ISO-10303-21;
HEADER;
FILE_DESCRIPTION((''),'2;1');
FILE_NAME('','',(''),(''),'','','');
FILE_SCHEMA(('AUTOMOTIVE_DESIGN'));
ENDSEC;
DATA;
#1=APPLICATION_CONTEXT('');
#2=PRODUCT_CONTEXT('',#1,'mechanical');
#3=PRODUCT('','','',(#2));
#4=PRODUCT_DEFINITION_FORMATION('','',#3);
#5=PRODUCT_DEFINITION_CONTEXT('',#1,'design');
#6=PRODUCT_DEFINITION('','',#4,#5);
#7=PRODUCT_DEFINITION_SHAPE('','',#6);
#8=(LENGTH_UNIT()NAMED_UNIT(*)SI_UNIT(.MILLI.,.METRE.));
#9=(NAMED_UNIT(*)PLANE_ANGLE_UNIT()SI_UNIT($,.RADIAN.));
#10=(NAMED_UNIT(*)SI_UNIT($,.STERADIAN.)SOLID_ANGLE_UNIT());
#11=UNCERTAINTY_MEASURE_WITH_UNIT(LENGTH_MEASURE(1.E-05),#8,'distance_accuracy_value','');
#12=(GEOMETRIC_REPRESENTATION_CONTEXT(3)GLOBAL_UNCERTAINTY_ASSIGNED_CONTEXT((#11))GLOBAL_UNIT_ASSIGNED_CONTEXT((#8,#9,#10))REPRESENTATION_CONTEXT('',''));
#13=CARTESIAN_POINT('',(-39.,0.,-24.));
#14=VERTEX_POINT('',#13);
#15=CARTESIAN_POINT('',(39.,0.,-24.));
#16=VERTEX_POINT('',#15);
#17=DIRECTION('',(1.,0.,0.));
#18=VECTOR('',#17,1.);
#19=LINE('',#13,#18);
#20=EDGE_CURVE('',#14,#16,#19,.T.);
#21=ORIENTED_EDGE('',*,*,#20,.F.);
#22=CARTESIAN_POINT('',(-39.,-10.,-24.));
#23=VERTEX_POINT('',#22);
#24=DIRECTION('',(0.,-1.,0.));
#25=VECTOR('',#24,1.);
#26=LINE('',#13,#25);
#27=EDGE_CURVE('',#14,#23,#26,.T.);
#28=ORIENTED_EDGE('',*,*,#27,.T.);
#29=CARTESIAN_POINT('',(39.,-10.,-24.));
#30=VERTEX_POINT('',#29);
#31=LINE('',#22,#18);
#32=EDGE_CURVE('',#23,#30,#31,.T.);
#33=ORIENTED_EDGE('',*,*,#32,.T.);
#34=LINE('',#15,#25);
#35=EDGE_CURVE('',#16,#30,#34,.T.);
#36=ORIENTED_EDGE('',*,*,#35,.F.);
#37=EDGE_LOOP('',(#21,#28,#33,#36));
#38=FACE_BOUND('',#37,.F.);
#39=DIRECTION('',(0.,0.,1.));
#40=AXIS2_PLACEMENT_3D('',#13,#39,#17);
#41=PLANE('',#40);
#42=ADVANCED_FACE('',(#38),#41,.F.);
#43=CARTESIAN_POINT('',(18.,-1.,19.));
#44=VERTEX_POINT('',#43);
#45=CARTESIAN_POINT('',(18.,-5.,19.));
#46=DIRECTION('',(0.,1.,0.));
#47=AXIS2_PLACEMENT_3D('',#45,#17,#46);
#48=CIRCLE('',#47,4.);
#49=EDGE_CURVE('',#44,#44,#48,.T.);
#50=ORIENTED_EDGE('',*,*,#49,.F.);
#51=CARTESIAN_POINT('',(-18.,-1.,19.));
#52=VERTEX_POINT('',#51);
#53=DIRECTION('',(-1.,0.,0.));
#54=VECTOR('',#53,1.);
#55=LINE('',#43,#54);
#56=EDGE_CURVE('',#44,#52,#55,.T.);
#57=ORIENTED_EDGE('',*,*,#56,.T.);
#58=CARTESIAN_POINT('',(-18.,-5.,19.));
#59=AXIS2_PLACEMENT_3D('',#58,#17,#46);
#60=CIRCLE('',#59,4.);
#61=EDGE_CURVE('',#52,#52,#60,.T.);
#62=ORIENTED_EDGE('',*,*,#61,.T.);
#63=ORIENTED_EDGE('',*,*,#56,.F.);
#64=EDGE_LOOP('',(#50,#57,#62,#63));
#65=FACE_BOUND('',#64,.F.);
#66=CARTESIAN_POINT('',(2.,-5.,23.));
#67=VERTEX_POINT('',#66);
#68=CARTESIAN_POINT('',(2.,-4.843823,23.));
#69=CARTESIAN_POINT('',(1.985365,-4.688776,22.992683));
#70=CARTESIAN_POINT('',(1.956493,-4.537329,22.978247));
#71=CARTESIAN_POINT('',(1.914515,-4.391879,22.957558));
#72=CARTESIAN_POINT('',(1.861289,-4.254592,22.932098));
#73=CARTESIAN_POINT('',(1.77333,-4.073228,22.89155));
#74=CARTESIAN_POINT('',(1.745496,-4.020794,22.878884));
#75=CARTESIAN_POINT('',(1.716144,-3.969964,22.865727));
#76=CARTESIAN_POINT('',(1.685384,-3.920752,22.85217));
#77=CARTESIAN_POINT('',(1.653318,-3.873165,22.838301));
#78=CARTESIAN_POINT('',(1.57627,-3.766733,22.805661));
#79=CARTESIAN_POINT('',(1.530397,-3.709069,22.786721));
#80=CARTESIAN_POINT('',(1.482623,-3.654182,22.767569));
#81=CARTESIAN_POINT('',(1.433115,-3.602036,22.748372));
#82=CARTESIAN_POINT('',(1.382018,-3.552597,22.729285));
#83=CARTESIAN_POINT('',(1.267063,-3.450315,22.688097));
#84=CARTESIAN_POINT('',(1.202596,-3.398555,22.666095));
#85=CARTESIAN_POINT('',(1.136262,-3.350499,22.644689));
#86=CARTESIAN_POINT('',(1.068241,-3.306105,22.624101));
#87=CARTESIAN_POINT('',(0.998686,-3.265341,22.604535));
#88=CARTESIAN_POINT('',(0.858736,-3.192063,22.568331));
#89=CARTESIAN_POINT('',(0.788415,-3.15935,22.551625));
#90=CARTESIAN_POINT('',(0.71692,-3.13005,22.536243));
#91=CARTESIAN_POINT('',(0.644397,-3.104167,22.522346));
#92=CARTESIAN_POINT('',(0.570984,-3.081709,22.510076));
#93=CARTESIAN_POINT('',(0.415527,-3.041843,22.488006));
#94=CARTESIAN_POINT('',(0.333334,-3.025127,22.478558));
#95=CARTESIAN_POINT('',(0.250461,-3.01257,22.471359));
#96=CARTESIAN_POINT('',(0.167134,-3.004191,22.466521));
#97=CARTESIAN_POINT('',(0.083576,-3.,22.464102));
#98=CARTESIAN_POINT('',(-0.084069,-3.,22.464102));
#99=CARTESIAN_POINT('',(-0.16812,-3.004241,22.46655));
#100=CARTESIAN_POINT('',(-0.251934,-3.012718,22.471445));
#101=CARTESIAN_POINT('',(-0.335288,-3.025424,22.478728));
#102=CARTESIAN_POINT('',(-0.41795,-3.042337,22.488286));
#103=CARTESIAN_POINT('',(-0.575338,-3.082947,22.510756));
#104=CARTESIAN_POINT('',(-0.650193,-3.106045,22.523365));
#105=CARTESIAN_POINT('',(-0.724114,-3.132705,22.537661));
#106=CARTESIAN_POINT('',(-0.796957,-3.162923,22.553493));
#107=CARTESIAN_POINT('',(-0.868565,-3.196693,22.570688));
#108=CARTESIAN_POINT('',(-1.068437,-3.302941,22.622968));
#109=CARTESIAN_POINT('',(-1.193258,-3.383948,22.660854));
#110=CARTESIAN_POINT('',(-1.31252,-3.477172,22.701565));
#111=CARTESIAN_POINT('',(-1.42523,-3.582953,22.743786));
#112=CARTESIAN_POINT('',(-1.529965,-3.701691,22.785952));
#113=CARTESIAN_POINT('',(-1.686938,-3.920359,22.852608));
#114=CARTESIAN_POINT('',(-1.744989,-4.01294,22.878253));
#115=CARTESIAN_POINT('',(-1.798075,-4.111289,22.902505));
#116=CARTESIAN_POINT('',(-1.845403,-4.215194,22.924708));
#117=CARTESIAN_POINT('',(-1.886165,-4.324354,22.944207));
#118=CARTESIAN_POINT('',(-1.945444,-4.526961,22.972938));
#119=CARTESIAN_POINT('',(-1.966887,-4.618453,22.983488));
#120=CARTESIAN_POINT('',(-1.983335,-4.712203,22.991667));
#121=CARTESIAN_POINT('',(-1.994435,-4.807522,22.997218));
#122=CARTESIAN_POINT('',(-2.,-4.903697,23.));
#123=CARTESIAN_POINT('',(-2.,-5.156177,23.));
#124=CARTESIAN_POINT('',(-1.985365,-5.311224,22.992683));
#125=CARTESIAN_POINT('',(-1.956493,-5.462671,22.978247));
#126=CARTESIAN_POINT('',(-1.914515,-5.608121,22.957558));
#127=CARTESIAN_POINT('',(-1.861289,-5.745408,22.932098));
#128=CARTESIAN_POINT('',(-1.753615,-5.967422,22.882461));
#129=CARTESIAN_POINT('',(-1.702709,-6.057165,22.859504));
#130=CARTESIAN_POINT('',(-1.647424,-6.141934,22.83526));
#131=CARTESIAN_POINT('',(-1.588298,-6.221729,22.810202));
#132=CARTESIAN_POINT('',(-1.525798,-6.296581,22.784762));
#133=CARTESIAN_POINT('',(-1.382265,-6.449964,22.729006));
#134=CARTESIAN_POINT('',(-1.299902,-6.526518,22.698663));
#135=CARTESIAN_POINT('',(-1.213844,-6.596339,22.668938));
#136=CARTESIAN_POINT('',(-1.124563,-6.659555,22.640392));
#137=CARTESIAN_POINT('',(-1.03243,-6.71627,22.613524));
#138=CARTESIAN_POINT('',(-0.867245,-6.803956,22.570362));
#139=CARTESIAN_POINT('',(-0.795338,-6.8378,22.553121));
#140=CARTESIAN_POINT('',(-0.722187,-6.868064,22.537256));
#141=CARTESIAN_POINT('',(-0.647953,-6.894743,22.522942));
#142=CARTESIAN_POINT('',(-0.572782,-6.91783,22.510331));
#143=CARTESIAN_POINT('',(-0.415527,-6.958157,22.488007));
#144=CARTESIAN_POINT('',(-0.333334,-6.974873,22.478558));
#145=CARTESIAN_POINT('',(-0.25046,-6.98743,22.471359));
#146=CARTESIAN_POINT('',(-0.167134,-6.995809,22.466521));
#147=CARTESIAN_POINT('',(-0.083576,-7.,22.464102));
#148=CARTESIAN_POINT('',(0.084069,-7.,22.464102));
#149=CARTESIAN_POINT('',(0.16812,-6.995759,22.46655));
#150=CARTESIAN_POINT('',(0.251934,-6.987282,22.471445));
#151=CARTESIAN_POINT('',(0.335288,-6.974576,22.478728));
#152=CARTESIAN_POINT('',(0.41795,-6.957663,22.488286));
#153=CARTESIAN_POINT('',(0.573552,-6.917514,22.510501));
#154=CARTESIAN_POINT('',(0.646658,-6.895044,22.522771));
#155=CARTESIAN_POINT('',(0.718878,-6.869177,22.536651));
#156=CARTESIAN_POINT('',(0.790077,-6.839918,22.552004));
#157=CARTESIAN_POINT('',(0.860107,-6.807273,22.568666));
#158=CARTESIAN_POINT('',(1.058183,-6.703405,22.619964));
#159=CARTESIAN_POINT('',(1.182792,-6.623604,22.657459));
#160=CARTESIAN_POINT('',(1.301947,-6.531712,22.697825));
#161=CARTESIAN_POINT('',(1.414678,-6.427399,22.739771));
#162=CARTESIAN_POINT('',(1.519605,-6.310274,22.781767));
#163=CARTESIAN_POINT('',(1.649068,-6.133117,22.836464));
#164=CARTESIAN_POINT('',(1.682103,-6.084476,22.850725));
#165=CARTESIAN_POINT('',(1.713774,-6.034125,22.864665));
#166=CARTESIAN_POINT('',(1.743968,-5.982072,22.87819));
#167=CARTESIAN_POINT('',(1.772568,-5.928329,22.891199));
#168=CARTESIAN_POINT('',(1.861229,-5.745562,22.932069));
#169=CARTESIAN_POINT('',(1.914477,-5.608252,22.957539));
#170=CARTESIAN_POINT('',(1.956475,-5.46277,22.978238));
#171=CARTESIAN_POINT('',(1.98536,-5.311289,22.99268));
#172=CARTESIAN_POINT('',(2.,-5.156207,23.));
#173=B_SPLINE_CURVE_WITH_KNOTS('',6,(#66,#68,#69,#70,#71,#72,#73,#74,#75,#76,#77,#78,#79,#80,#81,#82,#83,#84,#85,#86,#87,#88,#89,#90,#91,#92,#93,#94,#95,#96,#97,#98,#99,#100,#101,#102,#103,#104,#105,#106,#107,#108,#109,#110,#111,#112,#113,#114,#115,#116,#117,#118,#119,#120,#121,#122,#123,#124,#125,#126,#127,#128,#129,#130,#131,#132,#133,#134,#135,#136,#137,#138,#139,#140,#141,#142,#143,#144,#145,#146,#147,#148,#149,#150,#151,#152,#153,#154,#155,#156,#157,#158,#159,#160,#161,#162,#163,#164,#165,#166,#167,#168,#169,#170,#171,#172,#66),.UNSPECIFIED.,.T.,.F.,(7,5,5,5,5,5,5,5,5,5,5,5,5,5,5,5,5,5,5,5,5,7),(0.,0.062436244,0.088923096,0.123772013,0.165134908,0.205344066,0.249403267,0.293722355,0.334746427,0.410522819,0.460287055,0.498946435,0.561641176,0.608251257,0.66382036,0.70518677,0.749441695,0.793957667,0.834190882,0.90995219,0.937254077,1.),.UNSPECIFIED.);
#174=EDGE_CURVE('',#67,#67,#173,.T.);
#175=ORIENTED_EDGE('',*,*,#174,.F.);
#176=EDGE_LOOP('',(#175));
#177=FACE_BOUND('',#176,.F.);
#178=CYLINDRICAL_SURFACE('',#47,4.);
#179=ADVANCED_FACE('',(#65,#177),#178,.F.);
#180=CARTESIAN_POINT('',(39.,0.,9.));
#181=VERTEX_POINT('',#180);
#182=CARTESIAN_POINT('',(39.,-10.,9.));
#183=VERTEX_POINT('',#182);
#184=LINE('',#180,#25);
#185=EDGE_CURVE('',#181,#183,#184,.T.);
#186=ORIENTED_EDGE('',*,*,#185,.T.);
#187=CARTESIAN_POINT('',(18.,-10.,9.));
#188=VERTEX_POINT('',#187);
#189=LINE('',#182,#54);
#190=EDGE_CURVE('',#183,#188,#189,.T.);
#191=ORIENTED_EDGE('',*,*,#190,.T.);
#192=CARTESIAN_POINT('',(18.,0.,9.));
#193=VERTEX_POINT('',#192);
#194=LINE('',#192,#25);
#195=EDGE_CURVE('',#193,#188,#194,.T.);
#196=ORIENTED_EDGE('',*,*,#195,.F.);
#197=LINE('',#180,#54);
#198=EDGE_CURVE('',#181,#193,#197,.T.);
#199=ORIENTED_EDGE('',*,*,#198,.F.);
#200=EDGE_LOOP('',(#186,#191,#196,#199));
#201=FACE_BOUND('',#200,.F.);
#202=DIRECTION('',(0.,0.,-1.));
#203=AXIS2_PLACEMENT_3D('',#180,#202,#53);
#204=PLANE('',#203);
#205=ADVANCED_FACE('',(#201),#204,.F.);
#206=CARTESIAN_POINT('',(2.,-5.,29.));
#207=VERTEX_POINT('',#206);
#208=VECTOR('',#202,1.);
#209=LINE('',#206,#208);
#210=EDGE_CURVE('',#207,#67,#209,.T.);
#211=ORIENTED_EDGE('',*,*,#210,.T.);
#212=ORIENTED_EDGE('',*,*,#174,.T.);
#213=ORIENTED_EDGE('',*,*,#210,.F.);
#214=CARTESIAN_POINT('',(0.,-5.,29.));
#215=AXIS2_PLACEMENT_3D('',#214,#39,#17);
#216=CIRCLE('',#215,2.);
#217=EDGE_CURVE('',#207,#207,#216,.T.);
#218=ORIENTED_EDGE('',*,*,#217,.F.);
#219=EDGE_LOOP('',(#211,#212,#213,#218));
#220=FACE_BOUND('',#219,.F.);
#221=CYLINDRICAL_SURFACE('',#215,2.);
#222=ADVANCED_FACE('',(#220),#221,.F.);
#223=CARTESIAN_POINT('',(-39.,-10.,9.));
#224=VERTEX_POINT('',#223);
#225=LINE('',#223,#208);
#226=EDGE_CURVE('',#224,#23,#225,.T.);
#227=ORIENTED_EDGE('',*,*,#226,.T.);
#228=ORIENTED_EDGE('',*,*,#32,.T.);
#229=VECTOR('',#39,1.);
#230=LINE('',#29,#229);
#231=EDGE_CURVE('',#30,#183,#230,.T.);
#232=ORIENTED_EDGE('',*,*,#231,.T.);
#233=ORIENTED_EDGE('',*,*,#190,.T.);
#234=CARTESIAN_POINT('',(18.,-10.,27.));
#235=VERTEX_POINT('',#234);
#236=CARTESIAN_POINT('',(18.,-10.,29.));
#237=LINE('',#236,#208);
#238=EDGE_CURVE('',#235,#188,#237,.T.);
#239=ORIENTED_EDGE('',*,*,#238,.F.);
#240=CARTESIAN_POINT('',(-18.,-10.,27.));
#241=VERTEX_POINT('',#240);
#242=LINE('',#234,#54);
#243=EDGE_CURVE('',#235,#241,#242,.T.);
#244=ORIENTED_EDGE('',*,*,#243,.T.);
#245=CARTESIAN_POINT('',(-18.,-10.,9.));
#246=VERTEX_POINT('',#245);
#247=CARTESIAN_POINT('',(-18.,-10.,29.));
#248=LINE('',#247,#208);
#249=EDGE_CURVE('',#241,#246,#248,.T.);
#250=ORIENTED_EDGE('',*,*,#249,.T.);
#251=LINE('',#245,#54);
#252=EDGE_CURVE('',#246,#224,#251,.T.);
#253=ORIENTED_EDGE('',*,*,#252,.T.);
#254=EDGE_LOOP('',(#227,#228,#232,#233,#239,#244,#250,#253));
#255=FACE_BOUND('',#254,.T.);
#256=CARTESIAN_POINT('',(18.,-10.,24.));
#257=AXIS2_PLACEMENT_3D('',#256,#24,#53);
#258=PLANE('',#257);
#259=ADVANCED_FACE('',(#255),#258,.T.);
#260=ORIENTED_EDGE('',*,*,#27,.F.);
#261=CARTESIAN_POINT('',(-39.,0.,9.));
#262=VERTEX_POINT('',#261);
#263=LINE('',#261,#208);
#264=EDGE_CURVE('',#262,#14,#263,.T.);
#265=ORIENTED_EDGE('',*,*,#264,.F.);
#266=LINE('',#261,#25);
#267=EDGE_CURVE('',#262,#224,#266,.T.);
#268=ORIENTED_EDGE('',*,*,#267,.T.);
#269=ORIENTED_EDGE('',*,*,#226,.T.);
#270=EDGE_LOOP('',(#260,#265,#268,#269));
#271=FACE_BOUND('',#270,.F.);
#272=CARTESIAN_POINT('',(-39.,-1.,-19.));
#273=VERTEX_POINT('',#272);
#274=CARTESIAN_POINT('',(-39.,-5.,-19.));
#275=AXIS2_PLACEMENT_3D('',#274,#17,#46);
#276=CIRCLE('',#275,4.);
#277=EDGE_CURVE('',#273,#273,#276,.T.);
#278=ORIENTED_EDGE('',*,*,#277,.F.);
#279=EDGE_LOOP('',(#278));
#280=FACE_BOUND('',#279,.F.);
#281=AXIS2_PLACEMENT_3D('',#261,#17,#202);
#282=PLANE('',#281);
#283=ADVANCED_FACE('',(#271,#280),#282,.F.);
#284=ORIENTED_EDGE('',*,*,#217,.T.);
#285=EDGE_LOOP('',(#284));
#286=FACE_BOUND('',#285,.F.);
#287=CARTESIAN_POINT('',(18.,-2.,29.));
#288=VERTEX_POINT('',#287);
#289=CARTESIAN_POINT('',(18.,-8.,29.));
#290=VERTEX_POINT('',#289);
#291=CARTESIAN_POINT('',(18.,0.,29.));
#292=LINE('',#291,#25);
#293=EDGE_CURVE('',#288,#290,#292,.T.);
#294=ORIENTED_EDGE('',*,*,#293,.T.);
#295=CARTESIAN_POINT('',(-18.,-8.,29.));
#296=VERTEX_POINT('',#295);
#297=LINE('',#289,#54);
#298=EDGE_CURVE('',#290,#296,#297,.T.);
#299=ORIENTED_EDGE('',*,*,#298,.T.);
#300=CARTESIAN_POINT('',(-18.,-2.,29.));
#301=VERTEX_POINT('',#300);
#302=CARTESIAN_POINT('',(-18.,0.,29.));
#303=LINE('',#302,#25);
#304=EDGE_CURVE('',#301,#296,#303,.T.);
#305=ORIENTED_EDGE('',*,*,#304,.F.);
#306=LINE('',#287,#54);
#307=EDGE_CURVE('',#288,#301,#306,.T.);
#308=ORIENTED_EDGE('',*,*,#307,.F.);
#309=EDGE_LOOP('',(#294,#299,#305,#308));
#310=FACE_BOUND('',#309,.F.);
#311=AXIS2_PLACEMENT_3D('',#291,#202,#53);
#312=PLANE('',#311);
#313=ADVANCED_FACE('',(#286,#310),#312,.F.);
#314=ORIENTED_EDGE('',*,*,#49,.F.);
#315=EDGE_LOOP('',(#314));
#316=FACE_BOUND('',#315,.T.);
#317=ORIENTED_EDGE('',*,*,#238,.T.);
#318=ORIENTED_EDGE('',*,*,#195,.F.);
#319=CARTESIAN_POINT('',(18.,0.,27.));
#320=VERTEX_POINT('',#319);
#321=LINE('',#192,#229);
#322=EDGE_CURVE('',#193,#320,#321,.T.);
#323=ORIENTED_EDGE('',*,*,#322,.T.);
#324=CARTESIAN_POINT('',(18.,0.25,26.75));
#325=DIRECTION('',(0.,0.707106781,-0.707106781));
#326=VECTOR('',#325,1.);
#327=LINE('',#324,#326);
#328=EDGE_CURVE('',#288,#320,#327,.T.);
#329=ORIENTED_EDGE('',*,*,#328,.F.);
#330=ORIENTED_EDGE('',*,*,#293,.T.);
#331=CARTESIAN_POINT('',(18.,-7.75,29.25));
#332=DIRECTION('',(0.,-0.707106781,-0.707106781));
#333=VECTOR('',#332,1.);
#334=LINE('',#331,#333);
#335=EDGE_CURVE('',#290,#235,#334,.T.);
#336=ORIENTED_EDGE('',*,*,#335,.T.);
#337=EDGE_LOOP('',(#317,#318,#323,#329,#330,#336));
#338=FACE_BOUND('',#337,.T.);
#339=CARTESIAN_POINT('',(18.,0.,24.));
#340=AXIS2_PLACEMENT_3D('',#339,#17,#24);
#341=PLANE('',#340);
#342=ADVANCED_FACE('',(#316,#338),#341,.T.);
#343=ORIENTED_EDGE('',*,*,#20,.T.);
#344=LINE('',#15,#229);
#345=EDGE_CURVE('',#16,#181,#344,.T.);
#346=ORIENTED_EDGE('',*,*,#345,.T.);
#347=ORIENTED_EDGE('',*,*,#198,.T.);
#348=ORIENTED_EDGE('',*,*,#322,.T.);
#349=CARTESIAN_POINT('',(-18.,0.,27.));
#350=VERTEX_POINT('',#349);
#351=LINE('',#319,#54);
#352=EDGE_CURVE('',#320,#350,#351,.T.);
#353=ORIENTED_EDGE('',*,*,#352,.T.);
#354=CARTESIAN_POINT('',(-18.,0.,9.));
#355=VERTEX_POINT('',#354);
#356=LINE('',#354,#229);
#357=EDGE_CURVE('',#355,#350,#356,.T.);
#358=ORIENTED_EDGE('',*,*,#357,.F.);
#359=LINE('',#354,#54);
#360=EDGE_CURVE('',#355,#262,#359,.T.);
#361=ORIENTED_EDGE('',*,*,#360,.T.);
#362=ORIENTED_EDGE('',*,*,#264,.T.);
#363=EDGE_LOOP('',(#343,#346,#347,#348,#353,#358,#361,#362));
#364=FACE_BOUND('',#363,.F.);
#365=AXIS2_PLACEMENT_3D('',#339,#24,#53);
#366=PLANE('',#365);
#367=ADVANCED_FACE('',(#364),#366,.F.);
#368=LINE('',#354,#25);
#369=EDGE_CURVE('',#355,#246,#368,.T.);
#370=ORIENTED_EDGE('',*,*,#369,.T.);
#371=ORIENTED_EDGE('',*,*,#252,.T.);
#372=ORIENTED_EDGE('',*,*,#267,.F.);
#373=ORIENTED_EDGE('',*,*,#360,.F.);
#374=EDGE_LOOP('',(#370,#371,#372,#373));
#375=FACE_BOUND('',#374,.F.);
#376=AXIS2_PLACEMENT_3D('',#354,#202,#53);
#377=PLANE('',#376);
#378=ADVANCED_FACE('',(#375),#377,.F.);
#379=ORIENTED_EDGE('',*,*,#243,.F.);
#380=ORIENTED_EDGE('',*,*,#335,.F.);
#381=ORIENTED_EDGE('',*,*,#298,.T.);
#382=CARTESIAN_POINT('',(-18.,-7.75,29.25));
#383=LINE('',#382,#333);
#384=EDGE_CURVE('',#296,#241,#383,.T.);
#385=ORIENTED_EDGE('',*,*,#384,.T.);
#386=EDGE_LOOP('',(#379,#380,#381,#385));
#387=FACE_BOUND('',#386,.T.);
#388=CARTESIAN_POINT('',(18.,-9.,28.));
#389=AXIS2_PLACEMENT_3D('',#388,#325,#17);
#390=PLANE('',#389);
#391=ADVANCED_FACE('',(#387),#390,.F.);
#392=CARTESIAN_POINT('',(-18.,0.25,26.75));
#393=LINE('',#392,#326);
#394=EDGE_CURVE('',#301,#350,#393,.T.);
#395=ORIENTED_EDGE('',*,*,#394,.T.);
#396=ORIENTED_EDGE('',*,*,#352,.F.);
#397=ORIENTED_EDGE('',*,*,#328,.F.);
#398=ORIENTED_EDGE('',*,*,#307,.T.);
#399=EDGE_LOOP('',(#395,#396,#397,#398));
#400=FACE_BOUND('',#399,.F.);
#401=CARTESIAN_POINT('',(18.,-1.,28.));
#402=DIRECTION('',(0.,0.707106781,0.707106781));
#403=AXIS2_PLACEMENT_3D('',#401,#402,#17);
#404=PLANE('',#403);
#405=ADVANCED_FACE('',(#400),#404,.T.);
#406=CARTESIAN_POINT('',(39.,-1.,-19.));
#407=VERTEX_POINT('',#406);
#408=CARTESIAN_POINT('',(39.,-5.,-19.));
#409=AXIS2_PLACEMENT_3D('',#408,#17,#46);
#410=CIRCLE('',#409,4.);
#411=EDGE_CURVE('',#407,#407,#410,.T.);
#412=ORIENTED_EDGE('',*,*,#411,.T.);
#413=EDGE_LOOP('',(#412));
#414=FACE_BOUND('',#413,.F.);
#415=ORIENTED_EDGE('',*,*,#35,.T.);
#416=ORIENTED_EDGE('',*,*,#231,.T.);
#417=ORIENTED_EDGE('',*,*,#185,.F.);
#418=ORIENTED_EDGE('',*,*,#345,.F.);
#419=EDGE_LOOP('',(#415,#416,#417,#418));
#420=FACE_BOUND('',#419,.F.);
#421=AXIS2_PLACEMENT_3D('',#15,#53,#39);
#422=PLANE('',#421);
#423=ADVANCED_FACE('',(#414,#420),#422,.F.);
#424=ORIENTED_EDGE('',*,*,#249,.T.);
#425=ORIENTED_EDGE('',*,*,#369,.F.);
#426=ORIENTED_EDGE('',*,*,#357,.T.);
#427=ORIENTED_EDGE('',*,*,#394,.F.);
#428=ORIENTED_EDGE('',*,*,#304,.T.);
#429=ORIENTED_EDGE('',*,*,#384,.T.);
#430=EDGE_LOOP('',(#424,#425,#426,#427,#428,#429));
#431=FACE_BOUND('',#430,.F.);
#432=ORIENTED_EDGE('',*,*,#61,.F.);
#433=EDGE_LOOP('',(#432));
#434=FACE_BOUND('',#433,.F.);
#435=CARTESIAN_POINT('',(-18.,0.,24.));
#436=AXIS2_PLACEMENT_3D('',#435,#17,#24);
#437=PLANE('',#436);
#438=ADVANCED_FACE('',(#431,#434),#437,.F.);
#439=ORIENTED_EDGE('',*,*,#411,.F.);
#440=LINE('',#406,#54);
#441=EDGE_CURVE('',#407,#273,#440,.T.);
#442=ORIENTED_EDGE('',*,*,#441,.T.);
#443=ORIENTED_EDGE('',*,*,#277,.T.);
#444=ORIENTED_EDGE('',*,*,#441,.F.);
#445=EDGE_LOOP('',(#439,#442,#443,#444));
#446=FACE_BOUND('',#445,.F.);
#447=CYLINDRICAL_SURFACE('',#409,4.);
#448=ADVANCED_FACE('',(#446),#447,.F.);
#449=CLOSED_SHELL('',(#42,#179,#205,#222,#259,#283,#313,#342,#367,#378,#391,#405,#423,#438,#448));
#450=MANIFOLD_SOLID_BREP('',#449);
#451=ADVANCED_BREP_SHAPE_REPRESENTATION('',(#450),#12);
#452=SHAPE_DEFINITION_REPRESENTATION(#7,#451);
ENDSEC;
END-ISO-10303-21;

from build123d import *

# Parameters (mm, degrees)
F1_DEPTH  = 10
F2_R      = 4
F3_DEPTH  = 38
F4_R      = 4
F5_DEPTH  = 70
F8_DEPTH  = 10
F9_R      = 4
F10_DEPTH = 40
F11_R     = 4
F12_DEPTH = 100
F13_DEPTH = 5
F14_R     = 2
F15_DEPTH = 10
F16_SIZE  = 2


with BuildPart() as f1:
    # F0 (on Front) → F1 (new body)
    with BuildSketch(Plane.XZ):
        Polygon((19, 24), (-19, 24), (-19, 9), (-35, 9), (-35, -24), (35, -24), (35, 9), (19, 9), align=None)
    extrude(amount=F1_DEPTH)

    # F2 (on face) → F3 (cut)
    with BuildSketch(Plane.YZ.offset(19)):
        with Locations((-5, 19)):
            Circle(F2_R)
    extrude(amount=-F3_DEPTH, mode=Mode.SUBTRACT)

    # F4 (on face) → F5 (cut)
    with BuildSketch(Plane.YZ.offset(35)):
        with Locations((-5, -19)):
            Circle(F4_R)
    extrude(amount=-F5_DEPTH, mode=Mode.SUBTRACT)


with BuildPart() as f8:
    # F7 (on Front) → F8 (new body)
    with BuildSketch(Plane.XZ):
        Polygon((18, 24), (-18, 24), (-18, 9), (-39, 9), (-39, -24), (39, -24), (39, 9), (18, 9), align=None)
    extrude(amount=F8_DEPTH)

    # F9 (on face) → F10 (cut)
    with BuildSketch(Plane.YZ.offset(18)):
        with Locations((-5, 19)):
            Circle(F9_R)
    extrude(amount=-F10_DEPTH, mode=Mode.SUBTRACT)

    # F11 (on face) → F12 (cut)
    with BuildSketch(Plane.YZ.offset(39)):
        with Locations((-5, -19)):
            Circle(F11_R)
    extrude(amount=-F12_DEPTH, mode=Mode.SUBTRACT)

    # F13 (add): a face of the model
    f13_faces = [f8.faces().sort_by_distance(p)[0] for p in [
        (0, -5, 24),
    ]]
    extrude(f13_faces, amount=F13_DEPTH)

    # F14 (on face) → F15 (cut)
    with BuildSketch(Plane.XY.offset(29)):
        with Locations((0, -5)):
            Circle(F14_R)
    extrude(amount=-F15_DEPTH, mode=Mode.SUBTRACT)

    # F16
    f16_edges = [f8.edges().sort_by_distance(p)[0] for p in [
        (0, -10, 29),
        (0, 0, 29),
    ]]
    chamfer(f16_edges, length=F16_SIZE)


solid = f8.part
